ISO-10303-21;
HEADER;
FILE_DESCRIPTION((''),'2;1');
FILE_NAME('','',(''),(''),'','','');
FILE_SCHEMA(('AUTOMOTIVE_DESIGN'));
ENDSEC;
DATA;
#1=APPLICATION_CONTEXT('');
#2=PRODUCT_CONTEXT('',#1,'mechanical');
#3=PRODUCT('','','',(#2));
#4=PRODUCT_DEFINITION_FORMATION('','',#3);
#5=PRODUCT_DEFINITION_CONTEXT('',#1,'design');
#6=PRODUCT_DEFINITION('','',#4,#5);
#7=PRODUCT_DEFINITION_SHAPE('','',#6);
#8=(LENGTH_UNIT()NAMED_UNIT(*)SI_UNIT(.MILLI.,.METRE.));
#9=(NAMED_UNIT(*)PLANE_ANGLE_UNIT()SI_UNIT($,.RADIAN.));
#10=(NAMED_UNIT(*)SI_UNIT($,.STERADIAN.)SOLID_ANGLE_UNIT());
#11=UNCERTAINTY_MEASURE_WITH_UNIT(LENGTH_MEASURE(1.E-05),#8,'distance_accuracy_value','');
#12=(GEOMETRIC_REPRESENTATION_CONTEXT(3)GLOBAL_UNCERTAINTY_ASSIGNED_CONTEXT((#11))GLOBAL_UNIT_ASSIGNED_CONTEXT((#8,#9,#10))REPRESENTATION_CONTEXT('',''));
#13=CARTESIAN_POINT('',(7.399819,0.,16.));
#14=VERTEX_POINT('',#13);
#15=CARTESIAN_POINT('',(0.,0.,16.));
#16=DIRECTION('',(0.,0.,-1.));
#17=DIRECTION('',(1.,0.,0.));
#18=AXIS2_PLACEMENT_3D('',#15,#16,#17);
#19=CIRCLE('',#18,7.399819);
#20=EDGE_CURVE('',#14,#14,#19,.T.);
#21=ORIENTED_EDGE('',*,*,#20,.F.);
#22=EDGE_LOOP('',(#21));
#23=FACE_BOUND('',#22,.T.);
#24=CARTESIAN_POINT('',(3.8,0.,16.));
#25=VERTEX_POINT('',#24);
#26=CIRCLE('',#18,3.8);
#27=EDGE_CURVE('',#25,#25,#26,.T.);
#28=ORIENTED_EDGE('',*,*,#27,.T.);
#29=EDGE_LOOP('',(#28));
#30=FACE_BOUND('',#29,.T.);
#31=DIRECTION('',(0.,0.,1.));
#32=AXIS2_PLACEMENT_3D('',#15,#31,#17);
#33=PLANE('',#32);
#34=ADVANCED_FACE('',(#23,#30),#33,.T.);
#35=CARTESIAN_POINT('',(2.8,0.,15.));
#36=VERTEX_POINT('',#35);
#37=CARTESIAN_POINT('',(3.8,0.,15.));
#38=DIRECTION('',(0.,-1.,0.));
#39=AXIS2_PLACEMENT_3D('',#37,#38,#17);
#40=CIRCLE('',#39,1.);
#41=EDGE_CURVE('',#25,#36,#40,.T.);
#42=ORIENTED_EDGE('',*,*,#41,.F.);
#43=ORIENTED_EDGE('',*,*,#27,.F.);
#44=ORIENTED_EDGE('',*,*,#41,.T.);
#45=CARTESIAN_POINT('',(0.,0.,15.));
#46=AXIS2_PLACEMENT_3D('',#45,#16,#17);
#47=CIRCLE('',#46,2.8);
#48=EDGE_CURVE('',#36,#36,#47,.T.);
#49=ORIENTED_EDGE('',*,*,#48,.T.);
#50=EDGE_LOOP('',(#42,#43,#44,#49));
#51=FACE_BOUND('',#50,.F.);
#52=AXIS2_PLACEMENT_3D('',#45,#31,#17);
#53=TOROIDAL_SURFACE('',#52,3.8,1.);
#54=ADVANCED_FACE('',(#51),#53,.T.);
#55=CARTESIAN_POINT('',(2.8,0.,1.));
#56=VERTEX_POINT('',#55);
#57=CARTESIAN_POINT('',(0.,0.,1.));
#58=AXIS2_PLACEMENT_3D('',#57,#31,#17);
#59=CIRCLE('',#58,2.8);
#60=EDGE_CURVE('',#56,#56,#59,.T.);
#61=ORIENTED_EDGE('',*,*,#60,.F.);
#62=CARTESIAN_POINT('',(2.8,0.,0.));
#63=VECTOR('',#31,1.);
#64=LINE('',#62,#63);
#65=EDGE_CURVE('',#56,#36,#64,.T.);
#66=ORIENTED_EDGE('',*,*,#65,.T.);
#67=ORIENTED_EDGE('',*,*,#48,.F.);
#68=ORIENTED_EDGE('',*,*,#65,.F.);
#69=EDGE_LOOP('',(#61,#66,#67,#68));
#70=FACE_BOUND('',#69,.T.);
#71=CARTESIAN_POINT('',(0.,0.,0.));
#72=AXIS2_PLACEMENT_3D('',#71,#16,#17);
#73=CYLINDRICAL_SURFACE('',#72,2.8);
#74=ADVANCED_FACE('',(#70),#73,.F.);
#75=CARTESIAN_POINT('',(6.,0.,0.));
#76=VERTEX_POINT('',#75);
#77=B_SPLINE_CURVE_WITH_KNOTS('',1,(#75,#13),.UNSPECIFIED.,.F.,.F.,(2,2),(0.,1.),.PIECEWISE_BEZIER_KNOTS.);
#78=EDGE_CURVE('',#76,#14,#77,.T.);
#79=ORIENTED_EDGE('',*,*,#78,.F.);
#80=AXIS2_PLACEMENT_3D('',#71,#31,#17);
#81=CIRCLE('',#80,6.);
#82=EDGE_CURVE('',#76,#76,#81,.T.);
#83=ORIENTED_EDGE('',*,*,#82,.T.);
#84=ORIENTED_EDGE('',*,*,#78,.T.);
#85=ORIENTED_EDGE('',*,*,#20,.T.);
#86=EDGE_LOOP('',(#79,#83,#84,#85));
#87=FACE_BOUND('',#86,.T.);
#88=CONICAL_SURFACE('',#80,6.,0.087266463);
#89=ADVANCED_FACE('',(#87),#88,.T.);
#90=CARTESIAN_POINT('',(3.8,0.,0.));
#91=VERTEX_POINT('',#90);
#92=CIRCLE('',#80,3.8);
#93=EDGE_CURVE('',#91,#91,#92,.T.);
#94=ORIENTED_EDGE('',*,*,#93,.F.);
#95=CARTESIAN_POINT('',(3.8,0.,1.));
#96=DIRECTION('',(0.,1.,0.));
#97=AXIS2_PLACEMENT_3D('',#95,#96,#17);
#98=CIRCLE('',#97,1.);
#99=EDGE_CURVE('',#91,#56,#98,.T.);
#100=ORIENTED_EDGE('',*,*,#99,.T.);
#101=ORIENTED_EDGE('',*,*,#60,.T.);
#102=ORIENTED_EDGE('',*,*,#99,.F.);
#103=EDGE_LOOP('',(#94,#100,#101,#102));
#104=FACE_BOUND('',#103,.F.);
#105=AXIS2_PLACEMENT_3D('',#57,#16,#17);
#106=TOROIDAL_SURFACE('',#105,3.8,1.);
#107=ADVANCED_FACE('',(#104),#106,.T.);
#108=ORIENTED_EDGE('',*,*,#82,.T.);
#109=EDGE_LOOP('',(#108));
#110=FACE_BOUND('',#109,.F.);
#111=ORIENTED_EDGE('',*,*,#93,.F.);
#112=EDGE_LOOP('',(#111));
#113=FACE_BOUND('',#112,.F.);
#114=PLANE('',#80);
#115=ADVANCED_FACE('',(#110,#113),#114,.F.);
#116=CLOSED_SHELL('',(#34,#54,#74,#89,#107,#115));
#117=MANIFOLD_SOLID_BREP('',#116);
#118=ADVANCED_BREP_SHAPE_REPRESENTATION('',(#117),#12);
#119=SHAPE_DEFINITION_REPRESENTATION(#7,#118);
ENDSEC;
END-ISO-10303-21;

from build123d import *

# Parameters (mm, degrees)
F0_R     = 6
F0_R_2   = 2.8
F1_DEPTH = 16
F1_TAPER = -5
F2_DEPTH = 16.0010001
F3_R     = 1


with BuildPart() as f1:
    # F0 (on Top) → F1 (new body)
    with BuildSketch(Plane.XY):
        Circle(F0_R)
        Circle(F0_R_2, mode=Mode.SUBTRACT)
    extrude(amount=F1_DEPTH, taper=F1_TAPER)

    # F0 (on Top) → F2 (cut, through all)
    with BuildSketch(Plane.XY):
        Circle(F0_R_2)
    extrude(amount=F2_DEPTH, mode=Mode.SUBTRACT)

    # F3
    f3_edges = [f1.edges().sort_by_distance(p)[0] for p in [
        (-2.8, 0, 16),
        (-2.8, 0, 0),
    ]]
    fillet(f3_edges, radius=F3_R)


solid = f1.part
